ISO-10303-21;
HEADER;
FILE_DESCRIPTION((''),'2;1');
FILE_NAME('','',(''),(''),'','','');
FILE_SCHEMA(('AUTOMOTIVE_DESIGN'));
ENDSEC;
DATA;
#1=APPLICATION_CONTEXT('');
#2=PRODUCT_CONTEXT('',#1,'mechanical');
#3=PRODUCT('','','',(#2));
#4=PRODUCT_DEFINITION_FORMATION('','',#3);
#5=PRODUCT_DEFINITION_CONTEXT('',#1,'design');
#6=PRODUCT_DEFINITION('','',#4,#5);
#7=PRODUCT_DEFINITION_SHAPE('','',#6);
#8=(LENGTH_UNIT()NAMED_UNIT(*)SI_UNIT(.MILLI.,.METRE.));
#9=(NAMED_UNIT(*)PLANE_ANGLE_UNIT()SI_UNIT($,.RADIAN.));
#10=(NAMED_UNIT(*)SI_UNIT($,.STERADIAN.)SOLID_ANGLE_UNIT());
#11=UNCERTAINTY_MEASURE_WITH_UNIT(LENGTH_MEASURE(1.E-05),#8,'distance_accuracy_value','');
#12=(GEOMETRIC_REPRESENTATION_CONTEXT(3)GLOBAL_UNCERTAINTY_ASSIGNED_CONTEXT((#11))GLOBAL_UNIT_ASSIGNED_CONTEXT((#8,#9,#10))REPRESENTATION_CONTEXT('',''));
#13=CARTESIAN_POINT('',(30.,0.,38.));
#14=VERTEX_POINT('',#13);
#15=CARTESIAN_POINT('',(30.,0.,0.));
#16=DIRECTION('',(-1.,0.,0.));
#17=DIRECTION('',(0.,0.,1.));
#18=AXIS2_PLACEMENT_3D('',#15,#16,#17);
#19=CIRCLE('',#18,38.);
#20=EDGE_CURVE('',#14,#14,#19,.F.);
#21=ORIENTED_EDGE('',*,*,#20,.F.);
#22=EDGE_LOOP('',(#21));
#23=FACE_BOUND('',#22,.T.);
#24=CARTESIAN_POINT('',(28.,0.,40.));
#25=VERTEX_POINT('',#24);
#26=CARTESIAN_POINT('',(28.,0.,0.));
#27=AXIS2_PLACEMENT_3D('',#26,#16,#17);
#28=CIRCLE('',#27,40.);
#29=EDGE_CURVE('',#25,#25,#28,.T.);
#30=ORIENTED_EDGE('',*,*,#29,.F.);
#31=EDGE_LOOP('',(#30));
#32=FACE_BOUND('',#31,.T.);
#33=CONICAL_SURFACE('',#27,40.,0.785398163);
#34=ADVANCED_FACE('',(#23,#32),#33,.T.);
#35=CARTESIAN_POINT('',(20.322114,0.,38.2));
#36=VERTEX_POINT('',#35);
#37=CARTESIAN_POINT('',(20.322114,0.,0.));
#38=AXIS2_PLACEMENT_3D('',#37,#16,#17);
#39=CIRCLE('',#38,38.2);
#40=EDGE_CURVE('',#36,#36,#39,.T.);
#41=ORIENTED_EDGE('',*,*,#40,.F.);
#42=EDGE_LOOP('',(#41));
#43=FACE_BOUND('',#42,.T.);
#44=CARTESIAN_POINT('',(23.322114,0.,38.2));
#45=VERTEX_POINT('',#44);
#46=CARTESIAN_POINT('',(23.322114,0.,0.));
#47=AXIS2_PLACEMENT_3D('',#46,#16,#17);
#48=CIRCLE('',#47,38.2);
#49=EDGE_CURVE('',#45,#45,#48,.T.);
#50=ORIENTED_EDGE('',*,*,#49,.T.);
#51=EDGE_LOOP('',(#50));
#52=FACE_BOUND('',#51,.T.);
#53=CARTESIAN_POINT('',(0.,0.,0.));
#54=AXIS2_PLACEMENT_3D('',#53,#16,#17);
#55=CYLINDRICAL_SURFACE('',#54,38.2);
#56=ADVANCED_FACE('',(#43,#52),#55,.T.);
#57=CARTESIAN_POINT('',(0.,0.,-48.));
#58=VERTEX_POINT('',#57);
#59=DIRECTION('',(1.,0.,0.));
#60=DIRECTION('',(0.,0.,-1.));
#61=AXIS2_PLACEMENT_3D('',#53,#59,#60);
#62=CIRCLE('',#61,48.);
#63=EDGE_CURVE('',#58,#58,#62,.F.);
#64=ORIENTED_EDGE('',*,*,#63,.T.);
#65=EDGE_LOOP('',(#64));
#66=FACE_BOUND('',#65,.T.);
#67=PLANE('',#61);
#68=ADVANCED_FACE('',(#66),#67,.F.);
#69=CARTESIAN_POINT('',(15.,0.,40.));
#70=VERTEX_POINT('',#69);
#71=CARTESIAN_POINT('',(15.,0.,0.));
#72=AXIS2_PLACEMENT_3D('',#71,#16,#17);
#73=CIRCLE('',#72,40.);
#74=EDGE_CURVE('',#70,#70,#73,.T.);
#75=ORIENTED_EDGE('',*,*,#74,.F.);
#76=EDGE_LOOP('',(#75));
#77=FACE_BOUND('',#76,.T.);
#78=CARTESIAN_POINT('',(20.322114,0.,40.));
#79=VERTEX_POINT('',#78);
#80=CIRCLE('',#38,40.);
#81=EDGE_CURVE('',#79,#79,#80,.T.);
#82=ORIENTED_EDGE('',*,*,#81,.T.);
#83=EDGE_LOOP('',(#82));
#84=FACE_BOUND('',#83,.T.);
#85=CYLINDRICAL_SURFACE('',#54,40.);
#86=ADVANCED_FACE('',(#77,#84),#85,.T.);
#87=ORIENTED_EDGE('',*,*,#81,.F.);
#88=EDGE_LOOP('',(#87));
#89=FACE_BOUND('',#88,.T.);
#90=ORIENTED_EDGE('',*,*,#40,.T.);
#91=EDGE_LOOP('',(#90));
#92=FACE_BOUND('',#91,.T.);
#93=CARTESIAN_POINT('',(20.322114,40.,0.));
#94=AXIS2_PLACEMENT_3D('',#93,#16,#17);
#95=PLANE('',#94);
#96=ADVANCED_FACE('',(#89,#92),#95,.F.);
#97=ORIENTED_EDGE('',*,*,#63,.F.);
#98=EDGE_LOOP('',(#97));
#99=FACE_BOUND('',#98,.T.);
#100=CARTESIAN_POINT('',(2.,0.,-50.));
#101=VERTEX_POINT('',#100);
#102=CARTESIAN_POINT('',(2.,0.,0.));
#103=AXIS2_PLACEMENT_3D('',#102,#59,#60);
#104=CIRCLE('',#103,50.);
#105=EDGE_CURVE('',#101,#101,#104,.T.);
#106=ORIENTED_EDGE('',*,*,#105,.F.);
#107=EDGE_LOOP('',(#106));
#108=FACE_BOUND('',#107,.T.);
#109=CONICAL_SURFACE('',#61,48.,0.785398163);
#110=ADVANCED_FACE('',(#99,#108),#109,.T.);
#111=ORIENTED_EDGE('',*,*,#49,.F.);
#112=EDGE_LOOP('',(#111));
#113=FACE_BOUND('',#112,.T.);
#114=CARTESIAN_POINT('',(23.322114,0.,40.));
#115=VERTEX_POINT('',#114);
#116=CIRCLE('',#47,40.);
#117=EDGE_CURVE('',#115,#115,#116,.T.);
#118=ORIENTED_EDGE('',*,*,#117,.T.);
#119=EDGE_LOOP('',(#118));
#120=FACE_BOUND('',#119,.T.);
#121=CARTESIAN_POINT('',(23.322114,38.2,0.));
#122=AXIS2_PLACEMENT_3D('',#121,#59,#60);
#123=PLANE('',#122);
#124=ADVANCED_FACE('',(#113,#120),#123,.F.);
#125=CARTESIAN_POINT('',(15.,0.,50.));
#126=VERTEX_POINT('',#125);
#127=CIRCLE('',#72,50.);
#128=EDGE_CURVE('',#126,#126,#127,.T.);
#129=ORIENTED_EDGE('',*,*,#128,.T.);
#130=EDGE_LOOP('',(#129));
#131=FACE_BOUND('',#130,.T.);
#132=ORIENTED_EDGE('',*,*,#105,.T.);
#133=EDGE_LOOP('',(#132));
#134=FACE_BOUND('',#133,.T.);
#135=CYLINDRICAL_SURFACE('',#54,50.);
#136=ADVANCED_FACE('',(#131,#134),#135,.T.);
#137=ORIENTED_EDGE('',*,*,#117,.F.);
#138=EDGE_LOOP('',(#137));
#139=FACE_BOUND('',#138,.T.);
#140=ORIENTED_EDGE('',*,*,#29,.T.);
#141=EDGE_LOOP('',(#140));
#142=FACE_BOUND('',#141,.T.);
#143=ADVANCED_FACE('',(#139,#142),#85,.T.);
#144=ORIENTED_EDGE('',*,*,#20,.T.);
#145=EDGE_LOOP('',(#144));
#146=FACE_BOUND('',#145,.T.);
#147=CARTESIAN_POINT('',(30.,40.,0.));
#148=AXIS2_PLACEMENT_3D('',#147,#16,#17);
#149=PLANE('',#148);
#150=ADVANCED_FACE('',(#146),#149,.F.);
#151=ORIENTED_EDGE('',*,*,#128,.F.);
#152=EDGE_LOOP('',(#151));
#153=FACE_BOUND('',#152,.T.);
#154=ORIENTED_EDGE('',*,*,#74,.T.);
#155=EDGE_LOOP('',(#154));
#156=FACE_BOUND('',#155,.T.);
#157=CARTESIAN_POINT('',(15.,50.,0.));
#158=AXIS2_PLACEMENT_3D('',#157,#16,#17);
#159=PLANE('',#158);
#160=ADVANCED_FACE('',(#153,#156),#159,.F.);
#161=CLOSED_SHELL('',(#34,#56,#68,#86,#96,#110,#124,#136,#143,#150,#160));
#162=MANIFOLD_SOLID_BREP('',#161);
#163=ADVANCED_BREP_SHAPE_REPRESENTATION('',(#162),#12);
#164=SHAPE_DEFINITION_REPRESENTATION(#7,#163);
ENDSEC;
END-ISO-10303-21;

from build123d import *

# Parameters (mm, degrees)
FASE1_SIZE = 2


with BuildPart() as part:
    # Skizze1 → Rotation1 (revolve)
    with BuildSketch(Plane.XY):
        Polygon((0, 0), (0, 50), (15, 50), (15, 40), (20.322114174, 40), (20.322114174, 38.2), (23.322114174, 38.2), (23.322114174, 40), (30, 40), (30, 0), align=None)
    revolve(axis=Axis((0, 0, 0), (1, 0, 0)))

    # Fase1
    fase1_edges = [part.edges().sort_by_distance(p)[0] for p in [
        (0, -50, 0),
        (30, -40, 0),
    ]]
    chamfer(fase1_edges, length=FASE1_SIZE)


solid = part.part
